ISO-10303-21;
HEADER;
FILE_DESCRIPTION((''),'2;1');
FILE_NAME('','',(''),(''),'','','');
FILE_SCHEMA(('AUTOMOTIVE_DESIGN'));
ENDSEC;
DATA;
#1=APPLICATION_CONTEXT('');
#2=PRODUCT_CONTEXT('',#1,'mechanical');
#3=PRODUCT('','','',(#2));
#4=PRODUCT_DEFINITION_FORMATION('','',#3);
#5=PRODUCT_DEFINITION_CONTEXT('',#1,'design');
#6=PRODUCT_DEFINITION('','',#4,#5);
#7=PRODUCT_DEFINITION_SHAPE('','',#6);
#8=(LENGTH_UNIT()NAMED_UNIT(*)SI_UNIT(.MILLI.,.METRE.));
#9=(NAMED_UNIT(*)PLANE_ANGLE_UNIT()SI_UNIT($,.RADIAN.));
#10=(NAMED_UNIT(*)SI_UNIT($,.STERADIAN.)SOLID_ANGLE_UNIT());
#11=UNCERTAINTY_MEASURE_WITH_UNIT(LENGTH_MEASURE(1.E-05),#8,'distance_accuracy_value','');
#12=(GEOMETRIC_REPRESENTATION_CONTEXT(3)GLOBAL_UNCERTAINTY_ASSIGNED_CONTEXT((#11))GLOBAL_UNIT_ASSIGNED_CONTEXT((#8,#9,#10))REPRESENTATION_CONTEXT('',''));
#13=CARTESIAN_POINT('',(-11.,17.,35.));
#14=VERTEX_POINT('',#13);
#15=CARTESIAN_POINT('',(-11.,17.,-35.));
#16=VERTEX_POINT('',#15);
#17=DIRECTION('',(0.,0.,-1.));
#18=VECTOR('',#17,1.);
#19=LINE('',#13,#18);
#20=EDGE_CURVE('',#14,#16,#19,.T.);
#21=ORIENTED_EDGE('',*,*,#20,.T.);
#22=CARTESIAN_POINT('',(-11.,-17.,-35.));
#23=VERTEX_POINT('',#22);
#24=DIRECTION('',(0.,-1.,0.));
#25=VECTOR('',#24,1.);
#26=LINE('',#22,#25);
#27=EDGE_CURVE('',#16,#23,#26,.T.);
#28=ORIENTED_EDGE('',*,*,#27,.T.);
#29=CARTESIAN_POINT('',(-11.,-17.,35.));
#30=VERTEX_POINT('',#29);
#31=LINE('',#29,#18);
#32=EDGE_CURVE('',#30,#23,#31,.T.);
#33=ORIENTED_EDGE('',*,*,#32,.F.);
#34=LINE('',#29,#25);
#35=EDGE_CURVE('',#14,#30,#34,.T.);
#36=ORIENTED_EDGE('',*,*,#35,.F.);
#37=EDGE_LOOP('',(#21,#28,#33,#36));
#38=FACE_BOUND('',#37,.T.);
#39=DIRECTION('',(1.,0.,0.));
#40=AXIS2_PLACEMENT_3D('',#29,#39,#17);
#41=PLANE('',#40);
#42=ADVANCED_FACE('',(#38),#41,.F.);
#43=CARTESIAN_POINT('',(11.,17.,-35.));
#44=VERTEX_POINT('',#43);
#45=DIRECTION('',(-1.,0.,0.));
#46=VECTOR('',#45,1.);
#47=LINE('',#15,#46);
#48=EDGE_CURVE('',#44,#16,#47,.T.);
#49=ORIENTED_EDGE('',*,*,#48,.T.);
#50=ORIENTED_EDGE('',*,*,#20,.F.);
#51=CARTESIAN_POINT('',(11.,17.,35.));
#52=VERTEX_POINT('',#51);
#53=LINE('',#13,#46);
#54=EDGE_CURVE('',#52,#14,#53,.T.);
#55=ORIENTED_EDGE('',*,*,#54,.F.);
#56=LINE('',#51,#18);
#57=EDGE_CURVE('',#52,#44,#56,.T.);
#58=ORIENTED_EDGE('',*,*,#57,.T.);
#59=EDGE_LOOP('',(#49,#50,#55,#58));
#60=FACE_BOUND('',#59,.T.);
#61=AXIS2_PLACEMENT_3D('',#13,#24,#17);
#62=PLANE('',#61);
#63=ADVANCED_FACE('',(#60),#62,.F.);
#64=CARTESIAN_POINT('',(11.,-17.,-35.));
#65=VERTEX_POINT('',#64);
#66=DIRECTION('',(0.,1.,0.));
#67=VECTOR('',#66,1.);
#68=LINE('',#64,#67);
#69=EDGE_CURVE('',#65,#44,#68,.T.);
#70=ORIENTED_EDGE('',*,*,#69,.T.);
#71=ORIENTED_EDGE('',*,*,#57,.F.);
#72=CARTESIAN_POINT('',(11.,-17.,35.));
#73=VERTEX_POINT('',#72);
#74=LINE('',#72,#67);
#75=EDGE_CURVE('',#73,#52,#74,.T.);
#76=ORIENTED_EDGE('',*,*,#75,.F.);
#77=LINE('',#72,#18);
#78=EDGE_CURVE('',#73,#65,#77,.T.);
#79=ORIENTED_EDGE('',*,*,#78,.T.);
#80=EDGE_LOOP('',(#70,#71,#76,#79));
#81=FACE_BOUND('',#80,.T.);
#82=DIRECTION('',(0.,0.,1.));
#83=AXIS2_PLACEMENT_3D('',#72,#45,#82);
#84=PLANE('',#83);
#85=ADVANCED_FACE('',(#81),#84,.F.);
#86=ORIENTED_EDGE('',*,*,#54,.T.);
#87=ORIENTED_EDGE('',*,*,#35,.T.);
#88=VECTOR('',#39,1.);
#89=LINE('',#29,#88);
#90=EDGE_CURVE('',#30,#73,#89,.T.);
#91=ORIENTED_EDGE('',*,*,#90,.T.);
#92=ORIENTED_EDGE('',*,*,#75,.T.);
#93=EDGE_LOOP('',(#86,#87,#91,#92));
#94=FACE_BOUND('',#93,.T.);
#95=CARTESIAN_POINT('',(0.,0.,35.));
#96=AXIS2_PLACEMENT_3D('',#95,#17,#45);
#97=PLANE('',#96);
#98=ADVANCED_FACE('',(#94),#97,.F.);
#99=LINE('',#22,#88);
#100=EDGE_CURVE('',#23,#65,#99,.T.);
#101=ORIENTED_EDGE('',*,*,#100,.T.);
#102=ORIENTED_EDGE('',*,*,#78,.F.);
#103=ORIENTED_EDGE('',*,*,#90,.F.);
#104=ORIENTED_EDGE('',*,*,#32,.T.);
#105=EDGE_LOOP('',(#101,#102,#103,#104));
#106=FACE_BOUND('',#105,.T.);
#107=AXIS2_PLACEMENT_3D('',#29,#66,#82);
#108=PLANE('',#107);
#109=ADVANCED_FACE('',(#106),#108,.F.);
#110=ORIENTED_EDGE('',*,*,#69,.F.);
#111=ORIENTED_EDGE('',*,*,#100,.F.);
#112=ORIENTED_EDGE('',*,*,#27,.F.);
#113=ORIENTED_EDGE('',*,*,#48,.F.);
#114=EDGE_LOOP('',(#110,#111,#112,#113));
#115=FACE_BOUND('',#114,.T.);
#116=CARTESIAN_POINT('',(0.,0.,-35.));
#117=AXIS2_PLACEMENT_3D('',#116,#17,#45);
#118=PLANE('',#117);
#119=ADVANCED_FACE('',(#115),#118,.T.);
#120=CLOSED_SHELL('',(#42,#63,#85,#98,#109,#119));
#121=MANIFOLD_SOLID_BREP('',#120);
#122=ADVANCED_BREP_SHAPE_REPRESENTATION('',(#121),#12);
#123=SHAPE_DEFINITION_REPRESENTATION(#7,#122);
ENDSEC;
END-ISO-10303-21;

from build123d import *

# Parameters (mm, degrees)
SKETCH1_W           = 22
SKETCH1_H           = 34
BOSS_EXTRUDE1_DEPTH = 35


with BuildPart() as part:
    # Sketch1 → Boss-Extrude1 (new, symmetric)
    with BuildSketch(Plane.XY):
        Rectangle(SKETCH1_W, SKETCH1_H)
    extrude(amount=BOSS_EXTRUDE1_DEPTH, both=True)


solid = part.part
